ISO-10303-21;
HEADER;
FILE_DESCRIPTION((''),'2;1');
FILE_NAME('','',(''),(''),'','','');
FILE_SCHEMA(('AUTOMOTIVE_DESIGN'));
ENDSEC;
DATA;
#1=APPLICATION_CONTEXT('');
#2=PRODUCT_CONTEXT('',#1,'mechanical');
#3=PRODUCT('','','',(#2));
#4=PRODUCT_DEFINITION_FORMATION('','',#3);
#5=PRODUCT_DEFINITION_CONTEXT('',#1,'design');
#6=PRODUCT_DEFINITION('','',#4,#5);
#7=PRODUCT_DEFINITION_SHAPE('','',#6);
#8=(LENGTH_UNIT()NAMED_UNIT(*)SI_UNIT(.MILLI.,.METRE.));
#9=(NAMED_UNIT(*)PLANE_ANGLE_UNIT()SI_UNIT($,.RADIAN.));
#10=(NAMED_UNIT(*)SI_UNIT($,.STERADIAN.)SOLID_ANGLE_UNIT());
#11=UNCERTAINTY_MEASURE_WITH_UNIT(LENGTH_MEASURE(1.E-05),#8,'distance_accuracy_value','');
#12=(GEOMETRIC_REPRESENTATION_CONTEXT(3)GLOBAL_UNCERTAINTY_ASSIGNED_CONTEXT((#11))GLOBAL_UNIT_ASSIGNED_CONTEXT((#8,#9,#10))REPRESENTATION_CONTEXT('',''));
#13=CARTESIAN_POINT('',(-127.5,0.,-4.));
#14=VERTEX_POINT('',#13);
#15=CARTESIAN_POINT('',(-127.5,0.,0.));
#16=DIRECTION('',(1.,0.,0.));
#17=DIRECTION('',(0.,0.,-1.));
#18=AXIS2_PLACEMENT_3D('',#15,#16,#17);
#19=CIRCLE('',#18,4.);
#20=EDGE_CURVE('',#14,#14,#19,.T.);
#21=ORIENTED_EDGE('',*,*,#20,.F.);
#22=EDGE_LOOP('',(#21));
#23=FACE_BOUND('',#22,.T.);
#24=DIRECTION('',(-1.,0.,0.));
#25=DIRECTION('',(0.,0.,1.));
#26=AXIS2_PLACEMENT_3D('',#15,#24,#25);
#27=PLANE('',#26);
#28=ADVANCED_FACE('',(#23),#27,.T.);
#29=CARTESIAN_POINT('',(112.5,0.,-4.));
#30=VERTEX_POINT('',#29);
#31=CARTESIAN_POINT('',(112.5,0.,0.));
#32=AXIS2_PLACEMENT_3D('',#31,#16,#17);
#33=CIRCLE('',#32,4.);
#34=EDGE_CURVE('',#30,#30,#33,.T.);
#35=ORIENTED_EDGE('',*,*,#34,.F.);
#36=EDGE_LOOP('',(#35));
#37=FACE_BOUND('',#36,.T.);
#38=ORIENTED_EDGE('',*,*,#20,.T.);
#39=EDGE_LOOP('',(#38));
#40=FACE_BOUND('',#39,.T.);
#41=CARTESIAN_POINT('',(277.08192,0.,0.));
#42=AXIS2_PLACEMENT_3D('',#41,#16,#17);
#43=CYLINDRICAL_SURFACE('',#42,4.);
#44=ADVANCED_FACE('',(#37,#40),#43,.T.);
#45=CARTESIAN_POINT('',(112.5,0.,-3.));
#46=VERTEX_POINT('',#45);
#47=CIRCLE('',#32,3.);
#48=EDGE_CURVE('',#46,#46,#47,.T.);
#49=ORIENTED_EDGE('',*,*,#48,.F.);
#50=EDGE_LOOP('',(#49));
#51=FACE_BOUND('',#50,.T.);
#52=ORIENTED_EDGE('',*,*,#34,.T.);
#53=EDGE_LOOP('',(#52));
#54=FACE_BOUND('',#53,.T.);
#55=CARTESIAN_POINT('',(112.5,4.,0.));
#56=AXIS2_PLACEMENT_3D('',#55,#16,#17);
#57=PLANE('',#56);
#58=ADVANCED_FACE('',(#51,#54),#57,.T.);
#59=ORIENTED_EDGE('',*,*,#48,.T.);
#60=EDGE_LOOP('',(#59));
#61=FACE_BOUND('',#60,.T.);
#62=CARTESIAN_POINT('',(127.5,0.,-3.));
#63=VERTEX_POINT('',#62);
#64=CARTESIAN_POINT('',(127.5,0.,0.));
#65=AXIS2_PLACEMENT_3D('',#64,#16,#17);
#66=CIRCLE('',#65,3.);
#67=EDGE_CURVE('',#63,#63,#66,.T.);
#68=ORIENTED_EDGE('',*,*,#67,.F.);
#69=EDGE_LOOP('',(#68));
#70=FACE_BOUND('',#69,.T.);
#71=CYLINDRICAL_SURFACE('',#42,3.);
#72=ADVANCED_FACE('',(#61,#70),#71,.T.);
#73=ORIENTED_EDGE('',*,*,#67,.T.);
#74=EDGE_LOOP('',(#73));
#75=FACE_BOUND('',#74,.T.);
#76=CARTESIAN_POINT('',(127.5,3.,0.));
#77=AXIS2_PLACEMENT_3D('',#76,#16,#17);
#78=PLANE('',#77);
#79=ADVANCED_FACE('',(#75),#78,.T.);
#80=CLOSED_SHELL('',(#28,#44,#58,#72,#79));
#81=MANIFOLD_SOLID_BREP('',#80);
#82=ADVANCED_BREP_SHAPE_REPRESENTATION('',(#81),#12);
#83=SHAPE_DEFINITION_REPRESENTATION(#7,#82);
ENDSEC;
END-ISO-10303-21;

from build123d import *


with BuildPart() as part:
    # Sketch1 → Revolve1 (revolve)
    with BuildSketch(Plane.XY, mode=Mode.PRIVATE) as revolve1_sk:
        Polygon((-127.5, 0), (-127.5, 4), (112.5, 4), (112.5, 3), (127.5, 3), (127.5, 0), align=None)
    revolve(revolve1_sk.sketch.rotate(Axis((277.081919691, 0, 0), (-1, 0, 0)), 90), axis=Axis((277.081919691, 0, 0), (-1, 0, 0)))


solid = part.part
